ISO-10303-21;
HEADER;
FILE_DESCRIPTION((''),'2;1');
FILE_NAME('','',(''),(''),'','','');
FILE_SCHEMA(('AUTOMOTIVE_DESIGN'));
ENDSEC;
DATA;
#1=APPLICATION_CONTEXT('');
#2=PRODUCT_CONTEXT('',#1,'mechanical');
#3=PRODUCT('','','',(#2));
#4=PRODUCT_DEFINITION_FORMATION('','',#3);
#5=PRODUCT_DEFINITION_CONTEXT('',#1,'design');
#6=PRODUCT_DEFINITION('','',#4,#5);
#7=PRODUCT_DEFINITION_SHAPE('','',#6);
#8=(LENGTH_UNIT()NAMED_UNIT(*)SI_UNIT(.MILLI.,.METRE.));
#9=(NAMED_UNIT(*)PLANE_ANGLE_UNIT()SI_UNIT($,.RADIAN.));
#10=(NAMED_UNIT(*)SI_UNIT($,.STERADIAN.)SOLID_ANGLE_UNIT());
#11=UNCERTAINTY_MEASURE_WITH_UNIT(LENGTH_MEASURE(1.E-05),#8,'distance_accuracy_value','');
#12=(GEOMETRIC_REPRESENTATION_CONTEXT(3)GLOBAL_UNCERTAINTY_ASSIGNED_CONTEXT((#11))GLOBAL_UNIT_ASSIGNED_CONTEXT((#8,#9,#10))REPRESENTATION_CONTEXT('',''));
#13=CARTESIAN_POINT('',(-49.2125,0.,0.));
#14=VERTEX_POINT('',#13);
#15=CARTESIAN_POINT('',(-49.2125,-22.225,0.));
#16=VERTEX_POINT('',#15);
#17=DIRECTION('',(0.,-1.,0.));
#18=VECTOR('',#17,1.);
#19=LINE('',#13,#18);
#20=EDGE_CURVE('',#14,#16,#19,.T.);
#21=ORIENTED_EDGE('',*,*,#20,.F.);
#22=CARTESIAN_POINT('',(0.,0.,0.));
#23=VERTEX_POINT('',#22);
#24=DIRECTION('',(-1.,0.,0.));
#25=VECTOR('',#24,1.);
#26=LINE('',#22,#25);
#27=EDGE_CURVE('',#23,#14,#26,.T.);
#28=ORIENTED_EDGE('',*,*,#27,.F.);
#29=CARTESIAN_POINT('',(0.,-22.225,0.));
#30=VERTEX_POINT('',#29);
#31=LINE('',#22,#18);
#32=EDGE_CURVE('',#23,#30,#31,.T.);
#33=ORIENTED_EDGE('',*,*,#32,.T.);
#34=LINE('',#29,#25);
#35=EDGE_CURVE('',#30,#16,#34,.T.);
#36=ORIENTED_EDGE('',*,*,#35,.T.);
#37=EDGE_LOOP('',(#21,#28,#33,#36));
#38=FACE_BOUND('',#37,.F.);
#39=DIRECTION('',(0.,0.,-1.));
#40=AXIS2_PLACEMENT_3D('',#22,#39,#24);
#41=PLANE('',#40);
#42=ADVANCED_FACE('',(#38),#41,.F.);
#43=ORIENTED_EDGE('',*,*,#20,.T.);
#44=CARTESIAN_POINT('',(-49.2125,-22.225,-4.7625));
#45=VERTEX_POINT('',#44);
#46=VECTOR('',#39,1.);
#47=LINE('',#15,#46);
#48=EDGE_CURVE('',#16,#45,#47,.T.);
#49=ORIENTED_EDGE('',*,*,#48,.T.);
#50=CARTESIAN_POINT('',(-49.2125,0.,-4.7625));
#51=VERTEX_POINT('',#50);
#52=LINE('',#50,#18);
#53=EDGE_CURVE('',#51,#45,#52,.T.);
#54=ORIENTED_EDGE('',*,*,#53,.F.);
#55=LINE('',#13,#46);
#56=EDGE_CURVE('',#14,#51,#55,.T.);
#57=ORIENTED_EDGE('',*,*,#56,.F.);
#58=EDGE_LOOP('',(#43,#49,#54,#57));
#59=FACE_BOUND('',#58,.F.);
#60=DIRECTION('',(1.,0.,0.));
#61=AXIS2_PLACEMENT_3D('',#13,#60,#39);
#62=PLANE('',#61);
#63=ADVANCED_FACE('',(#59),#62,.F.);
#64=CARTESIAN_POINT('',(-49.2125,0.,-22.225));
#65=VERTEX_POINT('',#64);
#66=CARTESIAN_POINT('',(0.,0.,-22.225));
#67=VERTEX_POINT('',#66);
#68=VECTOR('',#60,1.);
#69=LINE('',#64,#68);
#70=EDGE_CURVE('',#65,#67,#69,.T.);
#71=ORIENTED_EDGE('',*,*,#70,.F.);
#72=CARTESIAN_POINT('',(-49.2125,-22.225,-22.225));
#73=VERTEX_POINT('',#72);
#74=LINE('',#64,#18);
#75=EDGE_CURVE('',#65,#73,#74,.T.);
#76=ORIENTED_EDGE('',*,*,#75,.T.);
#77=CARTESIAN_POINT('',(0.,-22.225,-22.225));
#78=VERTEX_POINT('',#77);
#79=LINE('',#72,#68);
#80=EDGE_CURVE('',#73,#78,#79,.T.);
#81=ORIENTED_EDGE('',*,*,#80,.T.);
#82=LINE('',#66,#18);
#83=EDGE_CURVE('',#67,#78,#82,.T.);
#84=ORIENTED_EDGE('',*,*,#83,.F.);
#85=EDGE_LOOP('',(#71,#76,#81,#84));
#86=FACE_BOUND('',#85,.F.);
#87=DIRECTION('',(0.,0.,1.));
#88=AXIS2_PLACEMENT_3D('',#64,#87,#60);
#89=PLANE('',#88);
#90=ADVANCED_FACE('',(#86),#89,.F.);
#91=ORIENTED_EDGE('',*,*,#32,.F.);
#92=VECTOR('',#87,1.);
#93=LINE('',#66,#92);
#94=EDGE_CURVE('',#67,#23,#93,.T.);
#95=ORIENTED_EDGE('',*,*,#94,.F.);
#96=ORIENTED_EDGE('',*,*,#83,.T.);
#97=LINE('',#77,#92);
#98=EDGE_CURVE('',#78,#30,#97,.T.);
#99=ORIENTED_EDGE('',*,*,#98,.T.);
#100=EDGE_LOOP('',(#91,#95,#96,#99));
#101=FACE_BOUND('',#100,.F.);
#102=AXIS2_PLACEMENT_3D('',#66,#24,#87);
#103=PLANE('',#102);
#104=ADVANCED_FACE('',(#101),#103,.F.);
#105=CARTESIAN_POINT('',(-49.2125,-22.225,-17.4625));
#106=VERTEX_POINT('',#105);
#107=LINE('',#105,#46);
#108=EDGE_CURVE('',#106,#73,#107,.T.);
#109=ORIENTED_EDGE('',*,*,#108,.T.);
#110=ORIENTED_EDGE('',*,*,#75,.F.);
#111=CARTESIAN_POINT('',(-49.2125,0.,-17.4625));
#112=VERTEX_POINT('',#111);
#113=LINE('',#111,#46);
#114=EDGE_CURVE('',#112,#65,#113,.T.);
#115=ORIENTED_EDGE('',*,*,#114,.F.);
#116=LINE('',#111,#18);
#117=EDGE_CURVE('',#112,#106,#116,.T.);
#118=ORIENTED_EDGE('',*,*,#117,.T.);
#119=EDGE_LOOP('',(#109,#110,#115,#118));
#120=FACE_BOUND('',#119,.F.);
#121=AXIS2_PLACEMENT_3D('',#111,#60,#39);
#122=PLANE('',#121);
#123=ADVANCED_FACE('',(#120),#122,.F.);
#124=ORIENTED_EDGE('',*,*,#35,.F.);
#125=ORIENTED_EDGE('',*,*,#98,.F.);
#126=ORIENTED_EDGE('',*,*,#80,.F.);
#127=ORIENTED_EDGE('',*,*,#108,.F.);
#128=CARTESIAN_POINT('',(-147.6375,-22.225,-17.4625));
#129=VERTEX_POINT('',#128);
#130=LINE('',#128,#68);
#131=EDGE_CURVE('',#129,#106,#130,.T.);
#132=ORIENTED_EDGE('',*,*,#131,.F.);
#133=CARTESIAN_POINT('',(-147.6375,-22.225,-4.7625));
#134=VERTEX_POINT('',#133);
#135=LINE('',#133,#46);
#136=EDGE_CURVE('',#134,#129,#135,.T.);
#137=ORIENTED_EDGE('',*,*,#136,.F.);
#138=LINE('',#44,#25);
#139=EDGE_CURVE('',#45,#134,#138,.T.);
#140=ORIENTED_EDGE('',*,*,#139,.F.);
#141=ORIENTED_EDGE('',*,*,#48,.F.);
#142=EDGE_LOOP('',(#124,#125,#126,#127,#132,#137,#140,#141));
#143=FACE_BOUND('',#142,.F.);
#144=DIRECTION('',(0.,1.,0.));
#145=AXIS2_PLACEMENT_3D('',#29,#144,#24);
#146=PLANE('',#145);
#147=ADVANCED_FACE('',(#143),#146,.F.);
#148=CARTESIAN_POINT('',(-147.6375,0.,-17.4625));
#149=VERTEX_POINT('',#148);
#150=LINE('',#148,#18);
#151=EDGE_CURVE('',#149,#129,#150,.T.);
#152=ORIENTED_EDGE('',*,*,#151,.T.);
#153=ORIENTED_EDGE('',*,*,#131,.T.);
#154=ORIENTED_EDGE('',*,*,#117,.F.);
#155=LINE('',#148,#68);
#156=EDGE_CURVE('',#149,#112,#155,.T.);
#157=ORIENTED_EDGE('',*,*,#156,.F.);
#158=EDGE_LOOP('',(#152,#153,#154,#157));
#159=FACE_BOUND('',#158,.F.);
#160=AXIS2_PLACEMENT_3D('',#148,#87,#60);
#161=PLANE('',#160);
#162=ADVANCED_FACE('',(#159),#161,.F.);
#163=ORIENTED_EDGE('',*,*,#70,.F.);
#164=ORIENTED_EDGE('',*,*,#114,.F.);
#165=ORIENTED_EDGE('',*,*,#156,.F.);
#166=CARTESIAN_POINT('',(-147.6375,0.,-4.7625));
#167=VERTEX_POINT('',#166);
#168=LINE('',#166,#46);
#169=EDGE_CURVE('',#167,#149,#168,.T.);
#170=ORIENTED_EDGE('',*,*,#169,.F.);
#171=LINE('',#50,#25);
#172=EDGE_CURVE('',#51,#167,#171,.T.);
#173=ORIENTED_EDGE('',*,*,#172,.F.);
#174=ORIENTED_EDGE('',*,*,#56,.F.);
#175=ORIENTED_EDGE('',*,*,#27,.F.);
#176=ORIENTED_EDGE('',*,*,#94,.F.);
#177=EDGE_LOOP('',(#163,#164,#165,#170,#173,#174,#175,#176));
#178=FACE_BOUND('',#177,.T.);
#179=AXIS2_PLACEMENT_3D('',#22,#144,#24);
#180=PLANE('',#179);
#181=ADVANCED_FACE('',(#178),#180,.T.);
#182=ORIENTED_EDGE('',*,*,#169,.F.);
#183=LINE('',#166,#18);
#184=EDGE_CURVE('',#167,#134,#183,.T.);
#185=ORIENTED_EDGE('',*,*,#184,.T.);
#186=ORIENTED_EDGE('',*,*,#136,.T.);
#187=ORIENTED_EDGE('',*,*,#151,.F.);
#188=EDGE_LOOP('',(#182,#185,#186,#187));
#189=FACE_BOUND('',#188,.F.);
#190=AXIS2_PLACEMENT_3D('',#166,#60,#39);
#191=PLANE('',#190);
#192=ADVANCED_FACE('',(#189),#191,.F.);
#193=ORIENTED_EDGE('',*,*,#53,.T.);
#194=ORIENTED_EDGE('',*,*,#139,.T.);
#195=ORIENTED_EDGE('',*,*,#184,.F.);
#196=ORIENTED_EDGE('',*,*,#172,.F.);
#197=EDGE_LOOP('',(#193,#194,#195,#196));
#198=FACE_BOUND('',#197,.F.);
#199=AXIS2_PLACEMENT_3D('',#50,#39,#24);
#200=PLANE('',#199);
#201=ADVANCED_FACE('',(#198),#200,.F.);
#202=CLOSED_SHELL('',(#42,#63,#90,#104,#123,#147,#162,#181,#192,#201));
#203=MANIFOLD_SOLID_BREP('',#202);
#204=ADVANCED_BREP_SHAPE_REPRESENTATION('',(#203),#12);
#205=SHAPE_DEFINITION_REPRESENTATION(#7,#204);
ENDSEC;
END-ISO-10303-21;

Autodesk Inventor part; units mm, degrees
ref_plane "YZ Plane" through (0, 0, 0) normal (1, 0, 0) x (0, 1, 0)
ref_plane "XZ Plane" through (0, 0, 0) normal (0, 1, 0) x (-1, 0, 0)
ref_plane "XY Plane" through (0, 0, 0) normal (0, 0, 1) x (1, 0, 0)
sketch "Sketch1" plane through (0, 0, 0) normal (0, 1, 0) x (-1, 0, 0)
  line L0 (0, 0) -> (49.2125, 0)
  line L1 (49.2125, 0) -> (49.2125, -4.7625)
  line L2 (49.2125, -4.7625) -> (147.6375, -4.7625)
  line L3 (147.6375, -4.7625) -> (147.6375, -17.4625)
  line L4 (147.6375, -17.4625) -> (49.2125, -17.4625)
  line L5 (49.2125, -17.4625) -> (49.2125, -22.225)
  line L6 (49.2125, -22.225) -> (0, -22.225)
  line L7 (0, -22.225) -> (0, 0)
  dimension "d0" = 22.225
  dimension "d1" = 147.6375
  dimension "d2" = 98.425
  dimension "d4" = 17.4625
  dimension "d5" = 17.4625
extrude "Extrusion1" add sketch "Sketch1" against normal blind 22.225
properties part number "Key--D"
